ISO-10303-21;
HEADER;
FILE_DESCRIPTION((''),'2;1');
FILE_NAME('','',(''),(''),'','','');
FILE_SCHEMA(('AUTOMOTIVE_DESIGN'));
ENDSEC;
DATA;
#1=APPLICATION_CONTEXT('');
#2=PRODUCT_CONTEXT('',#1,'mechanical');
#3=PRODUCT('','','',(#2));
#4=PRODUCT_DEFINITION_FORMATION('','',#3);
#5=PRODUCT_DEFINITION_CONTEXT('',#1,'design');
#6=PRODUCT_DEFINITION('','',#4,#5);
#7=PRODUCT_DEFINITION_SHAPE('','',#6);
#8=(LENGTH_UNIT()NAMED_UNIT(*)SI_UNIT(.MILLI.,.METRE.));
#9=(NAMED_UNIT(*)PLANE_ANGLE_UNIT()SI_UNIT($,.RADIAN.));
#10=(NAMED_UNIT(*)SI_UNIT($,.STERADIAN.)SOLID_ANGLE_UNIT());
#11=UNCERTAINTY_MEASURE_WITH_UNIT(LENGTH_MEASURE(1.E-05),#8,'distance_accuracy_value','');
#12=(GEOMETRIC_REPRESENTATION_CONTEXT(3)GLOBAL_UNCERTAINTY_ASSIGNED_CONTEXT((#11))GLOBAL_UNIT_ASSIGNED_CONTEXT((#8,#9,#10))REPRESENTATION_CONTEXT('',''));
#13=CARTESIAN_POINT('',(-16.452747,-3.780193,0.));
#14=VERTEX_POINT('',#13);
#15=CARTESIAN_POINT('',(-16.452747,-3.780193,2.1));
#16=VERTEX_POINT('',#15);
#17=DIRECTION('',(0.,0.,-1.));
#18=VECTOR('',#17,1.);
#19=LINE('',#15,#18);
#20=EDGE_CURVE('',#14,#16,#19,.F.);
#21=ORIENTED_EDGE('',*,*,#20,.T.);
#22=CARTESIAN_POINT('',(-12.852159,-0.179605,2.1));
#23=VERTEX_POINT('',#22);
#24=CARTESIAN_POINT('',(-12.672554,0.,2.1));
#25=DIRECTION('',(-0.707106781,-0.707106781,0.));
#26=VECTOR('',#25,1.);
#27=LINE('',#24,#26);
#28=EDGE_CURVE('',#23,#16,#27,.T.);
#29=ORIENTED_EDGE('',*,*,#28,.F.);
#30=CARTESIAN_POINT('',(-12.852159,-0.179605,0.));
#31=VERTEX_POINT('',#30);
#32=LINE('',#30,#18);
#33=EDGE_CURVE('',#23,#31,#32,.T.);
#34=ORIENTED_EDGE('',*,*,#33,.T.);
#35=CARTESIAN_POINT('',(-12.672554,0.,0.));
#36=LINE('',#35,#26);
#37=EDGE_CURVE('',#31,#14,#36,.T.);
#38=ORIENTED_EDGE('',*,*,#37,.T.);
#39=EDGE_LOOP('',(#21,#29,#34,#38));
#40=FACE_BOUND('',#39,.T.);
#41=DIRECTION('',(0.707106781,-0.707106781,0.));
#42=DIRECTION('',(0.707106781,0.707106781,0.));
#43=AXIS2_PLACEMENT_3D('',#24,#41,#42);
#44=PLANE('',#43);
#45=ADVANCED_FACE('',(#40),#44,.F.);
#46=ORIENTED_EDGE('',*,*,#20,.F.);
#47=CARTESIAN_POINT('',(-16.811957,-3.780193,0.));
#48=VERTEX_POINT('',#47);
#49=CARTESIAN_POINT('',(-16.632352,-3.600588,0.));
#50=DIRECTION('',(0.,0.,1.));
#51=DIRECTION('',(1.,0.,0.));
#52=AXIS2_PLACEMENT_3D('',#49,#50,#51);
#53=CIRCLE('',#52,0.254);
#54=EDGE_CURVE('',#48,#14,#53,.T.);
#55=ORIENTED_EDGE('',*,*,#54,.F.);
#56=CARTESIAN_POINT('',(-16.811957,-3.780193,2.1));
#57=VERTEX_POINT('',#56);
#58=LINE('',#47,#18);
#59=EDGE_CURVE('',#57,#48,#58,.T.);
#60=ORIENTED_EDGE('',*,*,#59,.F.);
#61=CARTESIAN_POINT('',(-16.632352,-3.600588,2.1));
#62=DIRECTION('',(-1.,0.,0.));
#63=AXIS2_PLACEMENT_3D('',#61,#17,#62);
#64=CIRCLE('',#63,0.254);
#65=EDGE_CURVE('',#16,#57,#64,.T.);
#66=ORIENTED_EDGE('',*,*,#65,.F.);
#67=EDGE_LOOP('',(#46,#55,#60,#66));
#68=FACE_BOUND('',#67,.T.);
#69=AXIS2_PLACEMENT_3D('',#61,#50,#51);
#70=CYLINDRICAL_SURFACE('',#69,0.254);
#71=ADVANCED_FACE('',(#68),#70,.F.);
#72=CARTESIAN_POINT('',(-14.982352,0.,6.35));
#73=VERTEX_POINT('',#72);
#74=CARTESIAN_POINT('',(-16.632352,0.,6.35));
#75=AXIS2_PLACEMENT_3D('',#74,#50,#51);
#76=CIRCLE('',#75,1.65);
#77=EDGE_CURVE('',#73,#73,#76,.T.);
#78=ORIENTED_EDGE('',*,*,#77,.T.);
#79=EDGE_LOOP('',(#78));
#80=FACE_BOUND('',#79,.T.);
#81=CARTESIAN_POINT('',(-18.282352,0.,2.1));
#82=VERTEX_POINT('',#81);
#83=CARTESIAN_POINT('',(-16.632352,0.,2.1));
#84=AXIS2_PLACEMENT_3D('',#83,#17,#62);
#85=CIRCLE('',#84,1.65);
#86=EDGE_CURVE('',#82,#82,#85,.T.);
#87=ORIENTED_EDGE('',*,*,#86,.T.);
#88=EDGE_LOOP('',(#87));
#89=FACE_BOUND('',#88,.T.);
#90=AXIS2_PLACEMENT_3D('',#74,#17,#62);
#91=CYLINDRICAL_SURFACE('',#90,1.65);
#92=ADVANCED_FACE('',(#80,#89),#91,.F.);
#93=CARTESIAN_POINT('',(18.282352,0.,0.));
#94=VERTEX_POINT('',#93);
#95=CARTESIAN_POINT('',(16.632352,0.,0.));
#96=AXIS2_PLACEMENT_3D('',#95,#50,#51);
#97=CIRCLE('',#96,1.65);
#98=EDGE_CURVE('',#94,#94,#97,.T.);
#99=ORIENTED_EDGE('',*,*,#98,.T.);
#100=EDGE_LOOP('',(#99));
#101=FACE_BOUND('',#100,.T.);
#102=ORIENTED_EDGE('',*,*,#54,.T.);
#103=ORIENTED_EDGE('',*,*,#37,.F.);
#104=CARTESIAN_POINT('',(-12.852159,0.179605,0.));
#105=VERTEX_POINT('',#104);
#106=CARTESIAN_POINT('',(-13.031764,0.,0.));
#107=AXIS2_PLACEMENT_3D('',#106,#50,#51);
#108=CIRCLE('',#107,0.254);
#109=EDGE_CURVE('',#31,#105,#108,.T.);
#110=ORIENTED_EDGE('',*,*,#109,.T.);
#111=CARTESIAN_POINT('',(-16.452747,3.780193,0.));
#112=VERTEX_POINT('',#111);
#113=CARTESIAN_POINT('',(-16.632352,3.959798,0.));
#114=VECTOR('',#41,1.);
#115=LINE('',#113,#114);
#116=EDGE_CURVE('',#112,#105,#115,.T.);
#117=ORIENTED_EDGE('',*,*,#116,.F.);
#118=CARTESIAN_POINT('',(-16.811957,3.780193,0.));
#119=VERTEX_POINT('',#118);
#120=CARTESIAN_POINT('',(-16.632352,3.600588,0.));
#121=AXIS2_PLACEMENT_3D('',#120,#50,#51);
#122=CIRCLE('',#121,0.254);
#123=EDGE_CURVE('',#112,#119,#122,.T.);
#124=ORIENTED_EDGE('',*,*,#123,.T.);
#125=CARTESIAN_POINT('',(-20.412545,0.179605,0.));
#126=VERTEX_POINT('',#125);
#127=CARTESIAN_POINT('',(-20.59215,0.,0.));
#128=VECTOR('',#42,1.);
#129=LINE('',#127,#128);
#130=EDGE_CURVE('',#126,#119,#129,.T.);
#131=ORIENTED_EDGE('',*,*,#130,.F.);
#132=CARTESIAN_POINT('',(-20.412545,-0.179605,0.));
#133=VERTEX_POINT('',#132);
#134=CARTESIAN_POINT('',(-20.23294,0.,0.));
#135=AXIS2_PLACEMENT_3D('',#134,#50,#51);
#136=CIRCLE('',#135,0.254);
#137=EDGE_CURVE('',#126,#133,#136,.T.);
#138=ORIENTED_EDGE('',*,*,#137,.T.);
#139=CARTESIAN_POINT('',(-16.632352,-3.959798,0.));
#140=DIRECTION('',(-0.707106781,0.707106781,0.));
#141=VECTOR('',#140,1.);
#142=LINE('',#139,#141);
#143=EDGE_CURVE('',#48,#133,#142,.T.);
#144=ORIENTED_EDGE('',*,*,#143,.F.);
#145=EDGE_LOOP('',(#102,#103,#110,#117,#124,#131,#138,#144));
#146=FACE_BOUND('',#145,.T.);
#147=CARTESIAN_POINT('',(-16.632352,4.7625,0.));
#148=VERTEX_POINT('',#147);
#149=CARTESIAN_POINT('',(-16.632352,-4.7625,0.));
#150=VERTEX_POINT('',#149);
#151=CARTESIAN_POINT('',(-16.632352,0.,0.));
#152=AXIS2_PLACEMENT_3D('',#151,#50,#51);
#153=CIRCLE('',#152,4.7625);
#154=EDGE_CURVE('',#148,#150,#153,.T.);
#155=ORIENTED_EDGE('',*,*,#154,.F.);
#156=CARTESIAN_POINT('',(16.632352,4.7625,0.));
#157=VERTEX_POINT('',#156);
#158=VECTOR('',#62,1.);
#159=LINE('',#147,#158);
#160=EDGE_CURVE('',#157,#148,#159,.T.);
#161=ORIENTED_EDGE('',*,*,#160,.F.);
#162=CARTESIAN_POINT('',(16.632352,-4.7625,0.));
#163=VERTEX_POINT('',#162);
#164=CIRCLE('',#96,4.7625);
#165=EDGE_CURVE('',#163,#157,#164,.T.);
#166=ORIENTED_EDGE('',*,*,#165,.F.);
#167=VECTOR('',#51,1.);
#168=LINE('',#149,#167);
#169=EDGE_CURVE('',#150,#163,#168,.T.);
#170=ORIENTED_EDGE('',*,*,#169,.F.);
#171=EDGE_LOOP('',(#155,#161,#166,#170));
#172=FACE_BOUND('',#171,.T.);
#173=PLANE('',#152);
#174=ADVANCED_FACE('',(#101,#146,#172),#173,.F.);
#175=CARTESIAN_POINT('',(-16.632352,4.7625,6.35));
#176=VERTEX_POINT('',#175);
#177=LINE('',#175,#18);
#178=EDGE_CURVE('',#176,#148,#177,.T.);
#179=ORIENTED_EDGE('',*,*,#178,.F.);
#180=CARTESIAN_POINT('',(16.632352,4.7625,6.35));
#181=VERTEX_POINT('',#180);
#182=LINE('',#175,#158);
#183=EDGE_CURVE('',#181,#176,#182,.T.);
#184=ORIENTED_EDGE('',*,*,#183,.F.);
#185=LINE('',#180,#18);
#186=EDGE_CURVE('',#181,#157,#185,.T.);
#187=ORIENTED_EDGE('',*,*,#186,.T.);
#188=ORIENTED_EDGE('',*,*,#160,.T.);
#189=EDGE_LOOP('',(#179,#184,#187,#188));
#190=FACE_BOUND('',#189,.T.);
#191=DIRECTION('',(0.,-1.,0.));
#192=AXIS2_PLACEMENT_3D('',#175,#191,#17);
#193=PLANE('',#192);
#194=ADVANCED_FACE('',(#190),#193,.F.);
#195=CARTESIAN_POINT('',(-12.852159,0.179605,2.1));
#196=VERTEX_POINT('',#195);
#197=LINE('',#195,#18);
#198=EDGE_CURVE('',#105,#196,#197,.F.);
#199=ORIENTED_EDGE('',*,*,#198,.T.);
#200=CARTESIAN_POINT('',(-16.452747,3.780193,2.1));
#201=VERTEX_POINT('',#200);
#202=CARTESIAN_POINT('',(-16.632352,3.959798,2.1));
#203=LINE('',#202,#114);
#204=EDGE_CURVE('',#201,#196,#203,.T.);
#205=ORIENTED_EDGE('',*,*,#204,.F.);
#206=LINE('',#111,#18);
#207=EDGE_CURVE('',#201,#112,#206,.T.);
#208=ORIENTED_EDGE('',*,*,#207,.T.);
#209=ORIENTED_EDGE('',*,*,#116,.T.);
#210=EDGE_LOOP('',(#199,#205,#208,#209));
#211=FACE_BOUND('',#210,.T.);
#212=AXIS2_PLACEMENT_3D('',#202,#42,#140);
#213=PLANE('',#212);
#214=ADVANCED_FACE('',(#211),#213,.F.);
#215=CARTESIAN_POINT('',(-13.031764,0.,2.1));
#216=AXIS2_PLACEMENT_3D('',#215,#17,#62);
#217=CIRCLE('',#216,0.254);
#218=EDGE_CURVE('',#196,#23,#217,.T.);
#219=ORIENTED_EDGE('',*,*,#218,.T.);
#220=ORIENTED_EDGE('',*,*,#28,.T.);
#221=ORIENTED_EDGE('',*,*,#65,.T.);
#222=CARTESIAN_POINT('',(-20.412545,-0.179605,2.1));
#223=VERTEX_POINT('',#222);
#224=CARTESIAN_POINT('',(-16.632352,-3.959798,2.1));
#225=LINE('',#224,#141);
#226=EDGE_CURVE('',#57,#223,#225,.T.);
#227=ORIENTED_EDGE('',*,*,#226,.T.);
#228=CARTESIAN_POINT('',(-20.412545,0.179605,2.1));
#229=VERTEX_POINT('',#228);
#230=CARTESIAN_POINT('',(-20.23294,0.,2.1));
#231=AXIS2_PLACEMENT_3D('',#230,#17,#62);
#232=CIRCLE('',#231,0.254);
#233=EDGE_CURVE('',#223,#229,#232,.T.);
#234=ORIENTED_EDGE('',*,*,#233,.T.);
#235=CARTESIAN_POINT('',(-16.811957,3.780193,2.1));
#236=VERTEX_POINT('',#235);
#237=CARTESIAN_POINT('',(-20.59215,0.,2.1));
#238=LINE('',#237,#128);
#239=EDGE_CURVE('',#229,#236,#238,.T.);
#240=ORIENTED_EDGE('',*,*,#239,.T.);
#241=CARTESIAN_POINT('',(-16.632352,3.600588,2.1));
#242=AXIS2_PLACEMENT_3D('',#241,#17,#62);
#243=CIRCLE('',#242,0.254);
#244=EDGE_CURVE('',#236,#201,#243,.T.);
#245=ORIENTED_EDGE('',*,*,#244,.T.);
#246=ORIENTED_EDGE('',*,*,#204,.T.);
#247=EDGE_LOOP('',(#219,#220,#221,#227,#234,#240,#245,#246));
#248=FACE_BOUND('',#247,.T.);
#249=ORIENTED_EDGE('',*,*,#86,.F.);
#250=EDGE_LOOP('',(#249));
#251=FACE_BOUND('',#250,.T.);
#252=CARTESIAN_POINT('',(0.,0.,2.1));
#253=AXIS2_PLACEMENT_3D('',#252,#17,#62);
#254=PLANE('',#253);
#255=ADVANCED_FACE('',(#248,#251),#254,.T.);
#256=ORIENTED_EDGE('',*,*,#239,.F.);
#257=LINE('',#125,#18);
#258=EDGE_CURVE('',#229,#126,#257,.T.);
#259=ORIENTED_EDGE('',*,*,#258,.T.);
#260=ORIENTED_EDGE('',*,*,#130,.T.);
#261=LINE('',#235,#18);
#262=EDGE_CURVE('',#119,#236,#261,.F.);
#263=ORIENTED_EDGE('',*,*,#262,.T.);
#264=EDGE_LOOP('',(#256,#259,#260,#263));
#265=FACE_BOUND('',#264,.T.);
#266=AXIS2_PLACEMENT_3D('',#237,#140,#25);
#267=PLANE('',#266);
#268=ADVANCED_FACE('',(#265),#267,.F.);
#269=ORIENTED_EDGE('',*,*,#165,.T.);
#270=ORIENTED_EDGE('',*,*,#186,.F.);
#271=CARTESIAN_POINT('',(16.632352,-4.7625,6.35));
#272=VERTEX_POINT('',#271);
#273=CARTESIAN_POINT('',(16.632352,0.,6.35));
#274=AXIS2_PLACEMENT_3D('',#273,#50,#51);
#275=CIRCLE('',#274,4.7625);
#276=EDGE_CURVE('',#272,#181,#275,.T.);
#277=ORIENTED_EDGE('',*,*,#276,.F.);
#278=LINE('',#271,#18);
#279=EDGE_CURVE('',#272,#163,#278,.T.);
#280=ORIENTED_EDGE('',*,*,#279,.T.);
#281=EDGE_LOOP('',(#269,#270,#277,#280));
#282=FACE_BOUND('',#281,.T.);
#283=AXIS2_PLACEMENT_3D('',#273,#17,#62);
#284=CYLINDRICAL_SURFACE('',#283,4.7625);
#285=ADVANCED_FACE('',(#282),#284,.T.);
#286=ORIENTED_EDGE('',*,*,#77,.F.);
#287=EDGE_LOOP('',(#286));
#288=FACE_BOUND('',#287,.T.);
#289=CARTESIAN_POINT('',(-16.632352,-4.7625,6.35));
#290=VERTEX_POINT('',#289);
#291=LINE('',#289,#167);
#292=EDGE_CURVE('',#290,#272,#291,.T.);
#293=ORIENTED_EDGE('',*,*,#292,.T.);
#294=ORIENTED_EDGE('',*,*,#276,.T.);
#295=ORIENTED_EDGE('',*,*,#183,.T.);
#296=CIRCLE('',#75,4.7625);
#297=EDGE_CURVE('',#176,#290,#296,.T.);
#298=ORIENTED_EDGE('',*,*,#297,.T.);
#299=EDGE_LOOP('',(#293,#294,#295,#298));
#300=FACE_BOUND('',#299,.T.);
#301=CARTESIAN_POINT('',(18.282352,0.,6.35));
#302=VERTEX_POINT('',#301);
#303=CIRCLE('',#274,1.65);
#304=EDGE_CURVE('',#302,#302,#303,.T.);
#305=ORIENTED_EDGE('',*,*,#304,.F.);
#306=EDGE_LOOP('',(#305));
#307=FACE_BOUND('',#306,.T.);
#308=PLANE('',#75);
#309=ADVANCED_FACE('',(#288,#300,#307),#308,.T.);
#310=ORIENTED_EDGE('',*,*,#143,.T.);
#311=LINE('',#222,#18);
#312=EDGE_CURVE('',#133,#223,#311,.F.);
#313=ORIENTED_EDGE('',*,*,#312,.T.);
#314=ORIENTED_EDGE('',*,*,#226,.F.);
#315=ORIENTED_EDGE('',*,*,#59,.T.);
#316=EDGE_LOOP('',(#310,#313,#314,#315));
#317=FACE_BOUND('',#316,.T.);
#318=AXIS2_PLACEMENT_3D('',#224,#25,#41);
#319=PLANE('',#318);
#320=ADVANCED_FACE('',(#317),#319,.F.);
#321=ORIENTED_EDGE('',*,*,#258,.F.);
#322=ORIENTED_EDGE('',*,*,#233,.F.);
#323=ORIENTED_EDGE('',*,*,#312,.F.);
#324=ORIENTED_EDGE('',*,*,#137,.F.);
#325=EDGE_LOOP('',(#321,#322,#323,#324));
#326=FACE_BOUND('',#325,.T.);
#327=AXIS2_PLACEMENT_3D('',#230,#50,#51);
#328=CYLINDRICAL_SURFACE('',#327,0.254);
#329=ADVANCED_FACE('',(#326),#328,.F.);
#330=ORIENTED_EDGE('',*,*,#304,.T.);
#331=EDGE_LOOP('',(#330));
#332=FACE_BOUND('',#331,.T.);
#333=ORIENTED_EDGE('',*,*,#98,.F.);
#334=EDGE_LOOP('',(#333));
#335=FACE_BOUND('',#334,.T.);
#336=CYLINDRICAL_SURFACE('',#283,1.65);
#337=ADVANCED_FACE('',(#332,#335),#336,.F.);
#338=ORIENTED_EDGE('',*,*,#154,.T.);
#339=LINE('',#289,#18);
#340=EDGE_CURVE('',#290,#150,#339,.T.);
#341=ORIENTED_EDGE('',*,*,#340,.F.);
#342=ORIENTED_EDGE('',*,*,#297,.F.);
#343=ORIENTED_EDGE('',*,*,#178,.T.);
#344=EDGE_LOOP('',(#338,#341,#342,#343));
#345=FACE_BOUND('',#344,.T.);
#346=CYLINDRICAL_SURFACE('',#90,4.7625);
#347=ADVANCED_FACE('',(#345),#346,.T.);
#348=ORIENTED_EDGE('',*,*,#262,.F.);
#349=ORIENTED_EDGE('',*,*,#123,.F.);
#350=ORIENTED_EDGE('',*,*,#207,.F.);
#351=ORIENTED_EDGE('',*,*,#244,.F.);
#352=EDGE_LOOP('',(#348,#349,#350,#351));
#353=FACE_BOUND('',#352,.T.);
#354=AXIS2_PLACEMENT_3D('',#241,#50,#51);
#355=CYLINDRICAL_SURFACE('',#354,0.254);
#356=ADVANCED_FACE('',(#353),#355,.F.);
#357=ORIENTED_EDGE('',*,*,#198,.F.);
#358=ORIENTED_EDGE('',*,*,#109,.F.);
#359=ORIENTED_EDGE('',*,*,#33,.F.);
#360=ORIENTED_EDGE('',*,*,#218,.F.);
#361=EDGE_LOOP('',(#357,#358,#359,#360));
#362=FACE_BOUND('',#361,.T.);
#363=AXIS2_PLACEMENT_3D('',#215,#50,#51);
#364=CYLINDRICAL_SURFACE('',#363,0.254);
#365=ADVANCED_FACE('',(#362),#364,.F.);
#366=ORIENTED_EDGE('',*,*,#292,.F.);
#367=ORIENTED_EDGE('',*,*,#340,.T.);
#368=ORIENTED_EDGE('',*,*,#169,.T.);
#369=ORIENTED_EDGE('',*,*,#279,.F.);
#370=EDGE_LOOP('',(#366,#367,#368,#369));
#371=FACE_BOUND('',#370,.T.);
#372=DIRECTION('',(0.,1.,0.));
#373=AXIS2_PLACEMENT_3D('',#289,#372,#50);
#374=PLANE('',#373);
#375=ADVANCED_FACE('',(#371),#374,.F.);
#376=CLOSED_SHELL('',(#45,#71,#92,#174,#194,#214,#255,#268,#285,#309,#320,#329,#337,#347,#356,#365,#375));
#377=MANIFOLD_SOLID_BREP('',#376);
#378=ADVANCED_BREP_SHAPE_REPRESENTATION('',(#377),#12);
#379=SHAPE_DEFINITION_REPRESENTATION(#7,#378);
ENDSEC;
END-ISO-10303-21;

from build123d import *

# Parameters (mm, degrees)
SKETCH1_R           = 1.65
BOSS_EXTRUDE1_DEPTH = 6.35
CUT_EXTRUDE1_DEPTH  = 2.1
FILLET1_R           = 0.254


with BuildPart() as part:
    # Sketch1 → Boss-Extrude1 (new body)
    with BuildSketch(Plane.XY):
        with BuildLine():
            Line((-16.632351927, 4.7625), (16.632351927, 4.7625))
            ThreePointArc((16.632351927, 4.7625), (21.394851927, 0), (16.632351927, -4.7625))
            Line((16.632351927, -4.7625), (-16.632351927, -4.7625))
            ThreePointArc((-16.632351927, -4.7625), (-21.394851927, 0), (-16.632351927, 4.7625))
        make_face()
        with Locations((16.632351927, 0)):
            Circle(SKETCH1_R, mode=Mode.SUBTRACT)
        with Locations((-16.632351927, 0)):
            Circle(SKETCH1_R, mode=Mode.SUBTRACT)
    extrude(amount=BOSS_EXTRUDE1_DEPTH)

    # Sketch2 → Cut-Extrude1 (cut)
    with BuildSketch(Plane(origin=(0, 0, 0), x_dir=(-1, 0, 0), z_dir=(0, 0, -1))):
        Polygon((12.672553952, 0), (16.632351927, -3.959797975), (20.592149902, 0), (16.632351927, 3.959797975), align=None)
    extrude(amount=-CUT_EXTRUDE1_DEPTH, mode=Mode.SUBTRACT)

    # Fillet1
    fillet1_edges = [part.edges().sort_by_distance(p)[0] for p in [
        (-20.592149902, 0, 1.05),
        (-16.632351927, -3.959797975, 1.05),
        (-12.672553952, 0, 1.05),
        (-16.632351927, 3.959797975, 1.05),
    ]]
    fillet(fillet1_edges, radius=FILLET1_R)


solid = part.part
